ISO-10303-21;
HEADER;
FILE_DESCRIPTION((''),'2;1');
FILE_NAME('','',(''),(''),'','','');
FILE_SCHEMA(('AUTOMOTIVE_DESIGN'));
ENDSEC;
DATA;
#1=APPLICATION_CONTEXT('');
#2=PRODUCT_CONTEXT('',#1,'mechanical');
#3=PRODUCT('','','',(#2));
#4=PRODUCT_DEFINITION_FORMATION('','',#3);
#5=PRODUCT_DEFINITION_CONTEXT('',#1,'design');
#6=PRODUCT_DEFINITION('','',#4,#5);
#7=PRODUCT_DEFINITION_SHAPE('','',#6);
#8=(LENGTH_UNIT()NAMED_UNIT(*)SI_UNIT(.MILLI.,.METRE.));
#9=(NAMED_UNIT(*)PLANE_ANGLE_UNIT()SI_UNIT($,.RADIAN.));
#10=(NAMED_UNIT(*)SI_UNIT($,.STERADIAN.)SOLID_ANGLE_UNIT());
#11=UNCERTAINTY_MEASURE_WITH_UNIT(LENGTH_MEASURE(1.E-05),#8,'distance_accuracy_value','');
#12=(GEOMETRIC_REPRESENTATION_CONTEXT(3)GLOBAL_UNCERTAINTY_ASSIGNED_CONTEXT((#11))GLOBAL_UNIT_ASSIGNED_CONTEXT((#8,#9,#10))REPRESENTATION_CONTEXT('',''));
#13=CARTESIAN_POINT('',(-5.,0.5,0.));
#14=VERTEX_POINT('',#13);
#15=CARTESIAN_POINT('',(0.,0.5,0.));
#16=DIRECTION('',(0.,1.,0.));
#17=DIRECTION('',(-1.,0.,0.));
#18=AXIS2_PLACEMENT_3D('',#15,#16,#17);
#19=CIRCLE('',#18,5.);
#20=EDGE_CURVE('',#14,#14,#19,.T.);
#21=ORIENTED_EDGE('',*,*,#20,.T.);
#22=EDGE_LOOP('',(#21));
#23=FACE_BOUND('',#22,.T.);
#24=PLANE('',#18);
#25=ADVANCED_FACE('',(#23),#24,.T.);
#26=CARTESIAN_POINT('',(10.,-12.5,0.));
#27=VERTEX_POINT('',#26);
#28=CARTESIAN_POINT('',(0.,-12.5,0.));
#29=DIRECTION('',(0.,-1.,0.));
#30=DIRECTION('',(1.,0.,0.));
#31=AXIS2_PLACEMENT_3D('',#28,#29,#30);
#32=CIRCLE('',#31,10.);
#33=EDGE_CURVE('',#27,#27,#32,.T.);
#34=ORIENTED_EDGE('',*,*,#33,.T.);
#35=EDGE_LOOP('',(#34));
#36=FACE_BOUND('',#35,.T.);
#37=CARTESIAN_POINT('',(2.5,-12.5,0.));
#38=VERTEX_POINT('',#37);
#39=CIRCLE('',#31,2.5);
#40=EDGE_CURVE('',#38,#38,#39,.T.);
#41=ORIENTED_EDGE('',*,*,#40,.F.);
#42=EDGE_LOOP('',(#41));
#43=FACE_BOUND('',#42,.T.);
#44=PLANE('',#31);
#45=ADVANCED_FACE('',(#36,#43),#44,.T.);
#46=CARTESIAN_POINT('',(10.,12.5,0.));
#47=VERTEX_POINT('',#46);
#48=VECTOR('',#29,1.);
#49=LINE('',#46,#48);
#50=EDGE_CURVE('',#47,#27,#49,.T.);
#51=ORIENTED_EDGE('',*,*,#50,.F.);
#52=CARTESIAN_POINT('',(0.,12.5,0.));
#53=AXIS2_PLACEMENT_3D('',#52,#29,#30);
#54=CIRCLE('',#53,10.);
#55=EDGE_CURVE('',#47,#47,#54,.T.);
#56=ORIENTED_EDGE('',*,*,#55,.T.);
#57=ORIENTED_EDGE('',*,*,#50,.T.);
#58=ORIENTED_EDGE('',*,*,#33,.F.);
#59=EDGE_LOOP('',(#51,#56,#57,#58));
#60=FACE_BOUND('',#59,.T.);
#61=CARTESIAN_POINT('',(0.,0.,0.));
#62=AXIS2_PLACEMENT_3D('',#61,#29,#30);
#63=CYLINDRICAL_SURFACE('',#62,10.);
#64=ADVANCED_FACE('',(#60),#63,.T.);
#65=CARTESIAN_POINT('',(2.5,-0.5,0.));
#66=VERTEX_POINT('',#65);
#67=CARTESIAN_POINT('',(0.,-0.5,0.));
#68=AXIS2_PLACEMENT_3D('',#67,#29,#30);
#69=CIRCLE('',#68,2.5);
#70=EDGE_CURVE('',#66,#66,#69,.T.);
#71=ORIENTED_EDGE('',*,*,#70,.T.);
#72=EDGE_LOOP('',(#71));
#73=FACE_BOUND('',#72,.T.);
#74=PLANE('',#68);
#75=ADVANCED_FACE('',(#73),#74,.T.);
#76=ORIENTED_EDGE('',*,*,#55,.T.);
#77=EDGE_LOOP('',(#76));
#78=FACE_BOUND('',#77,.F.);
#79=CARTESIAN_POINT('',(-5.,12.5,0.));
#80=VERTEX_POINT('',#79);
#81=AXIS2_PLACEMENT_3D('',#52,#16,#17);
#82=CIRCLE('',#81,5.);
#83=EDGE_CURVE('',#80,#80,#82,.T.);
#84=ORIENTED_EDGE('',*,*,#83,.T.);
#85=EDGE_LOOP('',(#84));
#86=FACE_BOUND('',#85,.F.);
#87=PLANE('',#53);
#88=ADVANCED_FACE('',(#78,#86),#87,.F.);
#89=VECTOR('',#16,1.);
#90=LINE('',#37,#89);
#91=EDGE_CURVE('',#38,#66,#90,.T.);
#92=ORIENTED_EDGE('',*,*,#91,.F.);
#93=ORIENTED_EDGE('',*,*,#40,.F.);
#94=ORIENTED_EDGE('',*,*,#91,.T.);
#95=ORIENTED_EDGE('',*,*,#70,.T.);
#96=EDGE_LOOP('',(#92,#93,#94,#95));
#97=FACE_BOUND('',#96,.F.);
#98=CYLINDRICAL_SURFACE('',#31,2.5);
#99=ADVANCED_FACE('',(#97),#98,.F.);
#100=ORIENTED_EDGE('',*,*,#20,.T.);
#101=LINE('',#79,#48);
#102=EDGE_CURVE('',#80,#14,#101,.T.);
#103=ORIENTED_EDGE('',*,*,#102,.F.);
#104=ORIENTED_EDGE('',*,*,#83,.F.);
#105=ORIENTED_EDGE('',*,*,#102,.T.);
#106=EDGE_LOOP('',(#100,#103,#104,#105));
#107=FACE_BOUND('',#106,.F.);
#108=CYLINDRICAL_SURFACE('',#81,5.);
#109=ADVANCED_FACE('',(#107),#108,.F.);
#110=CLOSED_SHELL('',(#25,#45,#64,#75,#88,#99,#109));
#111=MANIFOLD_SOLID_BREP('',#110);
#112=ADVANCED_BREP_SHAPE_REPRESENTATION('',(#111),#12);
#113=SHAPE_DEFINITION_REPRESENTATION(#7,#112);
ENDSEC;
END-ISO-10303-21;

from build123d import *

# Parameters (mm, degrees)
F0_R     = 10
F1_DEPTH = 12.5
F2_R     = 2.5
F3_DEPTH = 12
F4_R     = 5
F5_DEPTH = 12


with BuildPart() as f1:
    # F0 (on Front) → F1 (new body, symmetric)
    with BuildSketch(Plane.XZ):
        Circle(F0_R)
    extrude(amount=F1_DEPTH, both=True)

    # F2 (on face) → F3 (cut)
    with BuildSketch(Plane.XZ.offset(12.5)):
        Circle(F2_R)
    extrude(amount=-F3_DEPTH, mode=Mode.SUBTRACT)

    # F4 (on face) → F5 (cut)
    with BuildSketch(Plane(origin=(0, 12.5, 0), x_dir=(-1, 0, 0), z_dir=(0, 1, 0))):
        Circle(F4_R)
    extrude(amount=-F5_DEPTH, mode=Mode.SUBTRACT)


solid = f1.part
